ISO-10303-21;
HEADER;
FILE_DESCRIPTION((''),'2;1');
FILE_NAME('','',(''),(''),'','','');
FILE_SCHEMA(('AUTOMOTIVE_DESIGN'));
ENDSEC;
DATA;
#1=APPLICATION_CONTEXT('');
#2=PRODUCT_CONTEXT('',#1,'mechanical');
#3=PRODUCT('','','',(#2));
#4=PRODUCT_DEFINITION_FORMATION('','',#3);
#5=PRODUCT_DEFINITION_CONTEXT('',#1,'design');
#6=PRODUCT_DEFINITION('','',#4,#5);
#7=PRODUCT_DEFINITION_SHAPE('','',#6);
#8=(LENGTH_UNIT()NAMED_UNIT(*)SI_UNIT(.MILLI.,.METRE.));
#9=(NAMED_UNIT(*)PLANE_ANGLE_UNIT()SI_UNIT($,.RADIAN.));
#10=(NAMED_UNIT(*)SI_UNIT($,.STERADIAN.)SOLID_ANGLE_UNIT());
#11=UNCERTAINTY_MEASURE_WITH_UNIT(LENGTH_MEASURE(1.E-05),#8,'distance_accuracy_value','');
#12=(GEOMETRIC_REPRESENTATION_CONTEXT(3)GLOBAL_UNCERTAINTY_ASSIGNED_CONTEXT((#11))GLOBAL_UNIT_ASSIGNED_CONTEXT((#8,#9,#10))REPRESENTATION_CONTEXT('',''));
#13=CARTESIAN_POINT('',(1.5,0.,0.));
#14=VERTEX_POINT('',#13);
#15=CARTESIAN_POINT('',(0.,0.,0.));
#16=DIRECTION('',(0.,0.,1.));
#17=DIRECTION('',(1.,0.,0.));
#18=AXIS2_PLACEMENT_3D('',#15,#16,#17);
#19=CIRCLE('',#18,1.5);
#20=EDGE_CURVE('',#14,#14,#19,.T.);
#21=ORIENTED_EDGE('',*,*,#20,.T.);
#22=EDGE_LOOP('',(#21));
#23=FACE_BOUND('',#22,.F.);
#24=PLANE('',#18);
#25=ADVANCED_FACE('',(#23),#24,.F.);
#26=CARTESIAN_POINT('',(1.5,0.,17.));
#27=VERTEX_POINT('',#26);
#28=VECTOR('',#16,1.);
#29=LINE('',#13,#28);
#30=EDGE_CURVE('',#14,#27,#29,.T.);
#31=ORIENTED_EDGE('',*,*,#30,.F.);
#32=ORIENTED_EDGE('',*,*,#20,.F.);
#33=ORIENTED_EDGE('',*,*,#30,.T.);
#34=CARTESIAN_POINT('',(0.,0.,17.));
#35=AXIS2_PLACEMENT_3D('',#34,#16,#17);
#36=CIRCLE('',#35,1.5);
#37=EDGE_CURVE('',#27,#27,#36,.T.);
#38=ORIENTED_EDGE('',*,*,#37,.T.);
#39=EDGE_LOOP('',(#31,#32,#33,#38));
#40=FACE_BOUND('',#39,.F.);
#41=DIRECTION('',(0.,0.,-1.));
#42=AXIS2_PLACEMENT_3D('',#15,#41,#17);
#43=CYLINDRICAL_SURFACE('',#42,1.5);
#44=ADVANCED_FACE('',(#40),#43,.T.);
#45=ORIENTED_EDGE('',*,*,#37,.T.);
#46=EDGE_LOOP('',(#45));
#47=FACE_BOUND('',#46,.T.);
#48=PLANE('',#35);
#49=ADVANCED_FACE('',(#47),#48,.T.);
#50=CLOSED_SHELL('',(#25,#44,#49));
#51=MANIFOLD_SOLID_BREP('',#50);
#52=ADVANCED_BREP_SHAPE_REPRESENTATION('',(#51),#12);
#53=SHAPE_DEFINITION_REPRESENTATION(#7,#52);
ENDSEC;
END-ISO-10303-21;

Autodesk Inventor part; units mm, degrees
ref_plane "YZ Plane" through (0, 0, 0) normal (1, 0, 0) x (0, 1, 0)
ref_plane "XZ Plane" through (0, 0, 0) normal (0, 1, 0) x (-1, 0, 0)
ref_plane "XY Plane" through (0, 0, 0) normal (0, 0, 1) x (1, 0, 0)
sketch "Sketch1" plane through (0, 0, 0) normal (0, 0, 1) x (1, 0, 0)
  circle A0 centre (0, 0) radius 1.5
  dimension "d0" = 3
extrude "Extrusion1" add sketch "Sketch1" along normal blind 17
properties part number "GA_veioD3_L17"
